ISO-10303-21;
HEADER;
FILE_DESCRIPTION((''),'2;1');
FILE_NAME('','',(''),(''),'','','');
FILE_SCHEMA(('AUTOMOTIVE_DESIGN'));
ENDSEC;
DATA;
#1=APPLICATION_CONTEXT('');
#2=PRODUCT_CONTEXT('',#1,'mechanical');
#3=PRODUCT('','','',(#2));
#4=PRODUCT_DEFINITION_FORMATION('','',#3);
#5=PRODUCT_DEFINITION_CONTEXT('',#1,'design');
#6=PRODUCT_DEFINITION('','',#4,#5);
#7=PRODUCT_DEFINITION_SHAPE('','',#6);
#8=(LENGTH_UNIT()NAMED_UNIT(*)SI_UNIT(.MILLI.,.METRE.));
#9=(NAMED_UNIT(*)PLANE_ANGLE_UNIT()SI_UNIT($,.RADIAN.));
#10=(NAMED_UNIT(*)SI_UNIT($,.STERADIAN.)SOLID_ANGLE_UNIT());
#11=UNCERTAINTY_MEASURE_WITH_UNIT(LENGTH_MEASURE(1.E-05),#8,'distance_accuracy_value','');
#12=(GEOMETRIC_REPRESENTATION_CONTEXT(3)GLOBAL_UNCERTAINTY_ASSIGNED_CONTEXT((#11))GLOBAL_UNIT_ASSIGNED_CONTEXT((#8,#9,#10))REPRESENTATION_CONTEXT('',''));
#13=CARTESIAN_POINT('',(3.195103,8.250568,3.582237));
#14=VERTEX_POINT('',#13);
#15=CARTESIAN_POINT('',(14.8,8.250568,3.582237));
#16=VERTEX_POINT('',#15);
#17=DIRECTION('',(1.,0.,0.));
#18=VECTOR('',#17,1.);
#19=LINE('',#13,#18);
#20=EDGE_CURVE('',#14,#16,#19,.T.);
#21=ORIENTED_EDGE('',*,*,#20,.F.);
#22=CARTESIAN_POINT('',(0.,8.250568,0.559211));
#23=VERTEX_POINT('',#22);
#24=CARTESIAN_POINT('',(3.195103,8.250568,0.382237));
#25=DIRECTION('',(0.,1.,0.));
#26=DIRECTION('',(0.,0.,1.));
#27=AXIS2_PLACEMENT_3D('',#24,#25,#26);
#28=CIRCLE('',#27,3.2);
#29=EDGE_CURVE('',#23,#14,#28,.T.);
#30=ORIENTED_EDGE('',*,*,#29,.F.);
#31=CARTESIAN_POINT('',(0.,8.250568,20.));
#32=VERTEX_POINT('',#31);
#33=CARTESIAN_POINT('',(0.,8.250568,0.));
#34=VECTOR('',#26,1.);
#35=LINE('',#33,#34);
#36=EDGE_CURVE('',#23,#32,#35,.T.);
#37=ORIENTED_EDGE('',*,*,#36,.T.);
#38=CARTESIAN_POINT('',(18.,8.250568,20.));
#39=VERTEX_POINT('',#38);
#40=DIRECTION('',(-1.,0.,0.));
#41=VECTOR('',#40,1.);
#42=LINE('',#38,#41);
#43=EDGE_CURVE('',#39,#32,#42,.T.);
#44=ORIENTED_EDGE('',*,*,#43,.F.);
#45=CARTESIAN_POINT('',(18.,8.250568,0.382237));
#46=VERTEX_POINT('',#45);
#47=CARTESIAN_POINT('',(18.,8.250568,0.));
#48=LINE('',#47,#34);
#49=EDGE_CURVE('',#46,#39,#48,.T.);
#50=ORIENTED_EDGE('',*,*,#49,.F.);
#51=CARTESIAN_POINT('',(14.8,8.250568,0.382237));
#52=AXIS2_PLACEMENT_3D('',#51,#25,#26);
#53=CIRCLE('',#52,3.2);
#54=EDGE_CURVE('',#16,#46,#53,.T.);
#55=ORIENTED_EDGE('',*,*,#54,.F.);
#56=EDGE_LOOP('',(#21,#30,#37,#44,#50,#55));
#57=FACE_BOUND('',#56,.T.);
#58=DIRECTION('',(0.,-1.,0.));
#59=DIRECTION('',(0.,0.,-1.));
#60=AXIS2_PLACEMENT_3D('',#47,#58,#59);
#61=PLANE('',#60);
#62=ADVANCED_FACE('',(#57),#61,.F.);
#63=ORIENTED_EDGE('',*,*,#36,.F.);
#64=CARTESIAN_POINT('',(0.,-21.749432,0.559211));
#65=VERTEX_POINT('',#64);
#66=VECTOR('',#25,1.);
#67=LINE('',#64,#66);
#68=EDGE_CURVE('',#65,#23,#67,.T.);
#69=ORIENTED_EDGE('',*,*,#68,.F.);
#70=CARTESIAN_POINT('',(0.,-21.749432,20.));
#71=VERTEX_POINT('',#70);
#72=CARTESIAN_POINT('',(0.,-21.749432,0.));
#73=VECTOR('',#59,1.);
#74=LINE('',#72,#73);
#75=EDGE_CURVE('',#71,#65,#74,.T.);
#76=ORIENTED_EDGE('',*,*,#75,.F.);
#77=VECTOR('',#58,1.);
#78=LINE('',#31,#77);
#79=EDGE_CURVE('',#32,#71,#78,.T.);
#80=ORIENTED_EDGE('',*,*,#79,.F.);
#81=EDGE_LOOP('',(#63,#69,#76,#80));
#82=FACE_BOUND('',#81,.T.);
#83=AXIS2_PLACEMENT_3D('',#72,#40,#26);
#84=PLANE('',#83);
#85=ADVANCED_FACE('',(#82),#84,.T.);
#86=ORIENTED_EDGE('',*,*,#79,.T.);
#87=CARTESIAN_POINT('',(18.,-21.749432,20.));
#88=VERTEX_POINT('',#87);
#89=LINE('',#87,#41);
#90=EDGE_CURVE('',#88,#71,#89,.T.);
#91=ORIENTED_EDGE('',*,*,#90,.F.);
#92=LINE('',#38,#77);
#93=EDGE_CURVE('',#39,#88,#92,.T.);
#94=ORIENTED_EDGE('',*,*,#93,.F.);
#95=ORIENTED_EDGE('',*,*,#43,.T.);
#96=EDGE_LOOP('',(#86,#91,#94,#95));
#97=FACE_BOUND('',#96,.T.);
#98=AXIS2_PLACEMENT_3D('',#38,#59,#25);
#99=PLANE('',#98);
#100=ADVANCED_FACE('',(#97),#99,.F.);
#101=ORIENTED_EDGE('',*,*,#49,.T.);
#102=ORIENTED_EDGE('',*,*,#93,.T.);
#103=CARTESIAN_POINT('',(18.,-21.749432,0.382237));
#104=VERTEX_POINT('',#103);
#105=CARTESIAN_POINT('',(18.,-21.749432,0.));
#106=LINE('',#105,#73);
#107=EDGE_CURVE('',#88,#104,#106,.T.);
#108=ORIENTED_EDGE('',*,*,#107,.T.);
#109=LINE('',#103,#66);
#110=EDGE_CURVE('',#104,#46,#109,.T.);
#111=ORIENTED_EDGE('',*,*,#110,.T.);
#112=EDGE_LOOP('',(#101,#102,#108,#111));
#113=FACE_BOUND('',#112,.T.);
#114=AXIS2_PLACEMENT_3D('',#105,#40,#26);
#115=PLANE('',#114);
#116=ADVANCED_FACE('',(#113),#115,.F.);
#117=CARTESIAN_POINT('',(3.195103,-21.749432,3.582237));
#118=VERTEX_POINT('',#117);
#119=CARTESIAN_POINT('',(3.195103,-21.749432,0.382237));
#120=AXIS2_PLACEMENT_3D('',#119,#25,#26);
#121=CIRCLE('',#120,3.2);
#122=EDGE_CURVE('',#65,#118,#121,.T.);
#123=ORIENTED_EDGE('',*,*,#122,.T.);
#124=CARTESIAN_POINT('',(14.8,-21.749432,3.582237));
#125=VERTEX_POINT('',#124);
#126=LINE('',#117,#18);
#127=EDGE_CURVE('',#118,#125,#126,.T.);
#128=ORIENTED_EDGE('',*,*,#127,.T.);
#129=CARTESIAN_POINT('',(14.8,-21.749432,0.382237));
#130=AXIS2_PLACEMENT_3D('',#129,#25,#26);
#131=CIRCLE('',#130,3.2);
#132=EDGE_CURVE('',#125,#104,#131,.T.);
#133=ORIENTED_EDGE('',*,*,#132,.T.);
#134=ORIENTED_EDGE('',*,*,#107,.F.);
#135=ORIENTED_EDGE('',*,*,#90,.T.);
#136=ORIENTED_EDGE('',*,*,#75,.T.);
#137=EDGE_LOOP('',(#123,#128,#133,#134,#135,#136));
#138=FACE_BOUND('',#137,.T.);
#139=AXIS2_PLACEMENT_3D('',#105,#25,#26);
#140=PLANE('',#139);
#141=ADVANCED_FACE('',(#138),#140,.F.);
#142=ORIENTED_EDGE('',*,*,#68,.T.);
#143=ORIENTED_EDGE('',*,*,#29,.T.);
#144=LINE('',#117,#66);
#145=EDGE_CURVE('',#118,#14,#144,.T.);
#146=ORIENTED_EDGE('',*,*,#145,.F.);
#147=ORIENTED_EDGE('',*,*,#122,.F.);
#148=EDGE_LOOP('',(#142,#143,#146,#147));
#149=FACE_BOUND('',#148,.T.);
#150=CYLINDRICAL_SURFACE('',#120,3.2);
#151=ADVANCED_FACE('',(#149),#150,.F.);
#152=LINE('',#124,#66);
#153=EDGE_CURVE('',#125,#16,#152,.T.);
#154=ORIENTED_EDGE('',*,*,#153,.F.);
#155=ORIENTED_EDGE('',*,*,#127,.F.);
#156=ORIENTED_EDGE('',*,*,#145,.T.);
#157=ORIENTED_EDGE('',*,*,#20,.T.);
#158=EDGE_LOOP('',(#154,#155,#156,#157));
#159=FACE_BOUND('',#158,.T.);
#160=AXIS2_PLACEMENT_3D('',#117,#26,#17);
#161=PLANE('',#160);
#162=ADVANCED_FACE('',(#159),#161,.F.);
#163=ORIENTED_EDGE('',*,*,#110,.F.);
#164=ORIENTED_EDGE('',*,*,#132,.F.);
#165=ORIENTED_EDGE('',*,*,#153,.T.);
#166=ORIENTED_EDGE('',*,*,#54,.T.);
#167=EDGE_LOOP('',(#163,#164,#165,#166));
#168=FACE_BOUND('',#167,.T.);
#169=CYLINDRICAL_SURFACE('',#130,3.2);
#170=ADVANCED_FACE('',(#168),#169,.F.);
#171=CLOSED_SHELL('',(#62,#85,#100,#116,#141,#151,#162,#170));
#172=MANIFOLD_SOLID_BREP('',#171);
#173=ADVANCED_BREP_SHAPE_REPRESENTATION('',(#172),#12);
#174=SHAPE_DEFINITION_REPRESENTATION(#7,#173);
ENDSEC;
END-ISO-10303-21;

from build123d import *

# Parameters (mm, degrees)
SKETCH_1_W          = 20
SKETCH_1_H          = 30
EXTRUDE_1_DEPTH     = 18
CUT_EXTRUDE_4_DEPTH = 41.298883359


with BuildPart() as part:
    # Эскиз1 → Вытянуть1 (new body)
    with BuildSketch(Plane(origin=(0, 0, 0), x_dir=(0, 0, -1), z_dir=(1, 0, 0))):
        with Locations((-10, -6.749432462)):
            Rectangle(SKETCH_1_W, SKETCH_1_H)
    extrude(amount=EXTRUDE_1_DEPTH)

    # Эскиз2 → Вырез-Вытянуть4 (cut, through all)
    with BuildSketch(Plane(origin=(0, 8.250567538, 0), x_dir=(1, 0, 0), z_dir=(0, 1, 0))):
        with BuildLine():
            Line((-0.004897471, 0.146832679), (18, 0.146832679))
            Line((18, 0.146832679), (18, -0.382236535))
            ThreePointArc((18, -0.382236535), (17.0627417, -2.644978234), (14.8, -3.582236535))
            Line((14.8, -3.582236535), (3.195102529, -3.582236535))
            ThreePointArc((3.195102529, -3.582236535), (0.932360829, -2.644978234), (-0.004897471, -0.382236535))
            Line((-0.004897471, -0.382236535), (-0.004897471, 0.146832679))
        make_face()
    extrude(amount=-CUT_EXTRUDE_4_DEPTH, mode=Mode.SUBTRACT)


solid = part.part
